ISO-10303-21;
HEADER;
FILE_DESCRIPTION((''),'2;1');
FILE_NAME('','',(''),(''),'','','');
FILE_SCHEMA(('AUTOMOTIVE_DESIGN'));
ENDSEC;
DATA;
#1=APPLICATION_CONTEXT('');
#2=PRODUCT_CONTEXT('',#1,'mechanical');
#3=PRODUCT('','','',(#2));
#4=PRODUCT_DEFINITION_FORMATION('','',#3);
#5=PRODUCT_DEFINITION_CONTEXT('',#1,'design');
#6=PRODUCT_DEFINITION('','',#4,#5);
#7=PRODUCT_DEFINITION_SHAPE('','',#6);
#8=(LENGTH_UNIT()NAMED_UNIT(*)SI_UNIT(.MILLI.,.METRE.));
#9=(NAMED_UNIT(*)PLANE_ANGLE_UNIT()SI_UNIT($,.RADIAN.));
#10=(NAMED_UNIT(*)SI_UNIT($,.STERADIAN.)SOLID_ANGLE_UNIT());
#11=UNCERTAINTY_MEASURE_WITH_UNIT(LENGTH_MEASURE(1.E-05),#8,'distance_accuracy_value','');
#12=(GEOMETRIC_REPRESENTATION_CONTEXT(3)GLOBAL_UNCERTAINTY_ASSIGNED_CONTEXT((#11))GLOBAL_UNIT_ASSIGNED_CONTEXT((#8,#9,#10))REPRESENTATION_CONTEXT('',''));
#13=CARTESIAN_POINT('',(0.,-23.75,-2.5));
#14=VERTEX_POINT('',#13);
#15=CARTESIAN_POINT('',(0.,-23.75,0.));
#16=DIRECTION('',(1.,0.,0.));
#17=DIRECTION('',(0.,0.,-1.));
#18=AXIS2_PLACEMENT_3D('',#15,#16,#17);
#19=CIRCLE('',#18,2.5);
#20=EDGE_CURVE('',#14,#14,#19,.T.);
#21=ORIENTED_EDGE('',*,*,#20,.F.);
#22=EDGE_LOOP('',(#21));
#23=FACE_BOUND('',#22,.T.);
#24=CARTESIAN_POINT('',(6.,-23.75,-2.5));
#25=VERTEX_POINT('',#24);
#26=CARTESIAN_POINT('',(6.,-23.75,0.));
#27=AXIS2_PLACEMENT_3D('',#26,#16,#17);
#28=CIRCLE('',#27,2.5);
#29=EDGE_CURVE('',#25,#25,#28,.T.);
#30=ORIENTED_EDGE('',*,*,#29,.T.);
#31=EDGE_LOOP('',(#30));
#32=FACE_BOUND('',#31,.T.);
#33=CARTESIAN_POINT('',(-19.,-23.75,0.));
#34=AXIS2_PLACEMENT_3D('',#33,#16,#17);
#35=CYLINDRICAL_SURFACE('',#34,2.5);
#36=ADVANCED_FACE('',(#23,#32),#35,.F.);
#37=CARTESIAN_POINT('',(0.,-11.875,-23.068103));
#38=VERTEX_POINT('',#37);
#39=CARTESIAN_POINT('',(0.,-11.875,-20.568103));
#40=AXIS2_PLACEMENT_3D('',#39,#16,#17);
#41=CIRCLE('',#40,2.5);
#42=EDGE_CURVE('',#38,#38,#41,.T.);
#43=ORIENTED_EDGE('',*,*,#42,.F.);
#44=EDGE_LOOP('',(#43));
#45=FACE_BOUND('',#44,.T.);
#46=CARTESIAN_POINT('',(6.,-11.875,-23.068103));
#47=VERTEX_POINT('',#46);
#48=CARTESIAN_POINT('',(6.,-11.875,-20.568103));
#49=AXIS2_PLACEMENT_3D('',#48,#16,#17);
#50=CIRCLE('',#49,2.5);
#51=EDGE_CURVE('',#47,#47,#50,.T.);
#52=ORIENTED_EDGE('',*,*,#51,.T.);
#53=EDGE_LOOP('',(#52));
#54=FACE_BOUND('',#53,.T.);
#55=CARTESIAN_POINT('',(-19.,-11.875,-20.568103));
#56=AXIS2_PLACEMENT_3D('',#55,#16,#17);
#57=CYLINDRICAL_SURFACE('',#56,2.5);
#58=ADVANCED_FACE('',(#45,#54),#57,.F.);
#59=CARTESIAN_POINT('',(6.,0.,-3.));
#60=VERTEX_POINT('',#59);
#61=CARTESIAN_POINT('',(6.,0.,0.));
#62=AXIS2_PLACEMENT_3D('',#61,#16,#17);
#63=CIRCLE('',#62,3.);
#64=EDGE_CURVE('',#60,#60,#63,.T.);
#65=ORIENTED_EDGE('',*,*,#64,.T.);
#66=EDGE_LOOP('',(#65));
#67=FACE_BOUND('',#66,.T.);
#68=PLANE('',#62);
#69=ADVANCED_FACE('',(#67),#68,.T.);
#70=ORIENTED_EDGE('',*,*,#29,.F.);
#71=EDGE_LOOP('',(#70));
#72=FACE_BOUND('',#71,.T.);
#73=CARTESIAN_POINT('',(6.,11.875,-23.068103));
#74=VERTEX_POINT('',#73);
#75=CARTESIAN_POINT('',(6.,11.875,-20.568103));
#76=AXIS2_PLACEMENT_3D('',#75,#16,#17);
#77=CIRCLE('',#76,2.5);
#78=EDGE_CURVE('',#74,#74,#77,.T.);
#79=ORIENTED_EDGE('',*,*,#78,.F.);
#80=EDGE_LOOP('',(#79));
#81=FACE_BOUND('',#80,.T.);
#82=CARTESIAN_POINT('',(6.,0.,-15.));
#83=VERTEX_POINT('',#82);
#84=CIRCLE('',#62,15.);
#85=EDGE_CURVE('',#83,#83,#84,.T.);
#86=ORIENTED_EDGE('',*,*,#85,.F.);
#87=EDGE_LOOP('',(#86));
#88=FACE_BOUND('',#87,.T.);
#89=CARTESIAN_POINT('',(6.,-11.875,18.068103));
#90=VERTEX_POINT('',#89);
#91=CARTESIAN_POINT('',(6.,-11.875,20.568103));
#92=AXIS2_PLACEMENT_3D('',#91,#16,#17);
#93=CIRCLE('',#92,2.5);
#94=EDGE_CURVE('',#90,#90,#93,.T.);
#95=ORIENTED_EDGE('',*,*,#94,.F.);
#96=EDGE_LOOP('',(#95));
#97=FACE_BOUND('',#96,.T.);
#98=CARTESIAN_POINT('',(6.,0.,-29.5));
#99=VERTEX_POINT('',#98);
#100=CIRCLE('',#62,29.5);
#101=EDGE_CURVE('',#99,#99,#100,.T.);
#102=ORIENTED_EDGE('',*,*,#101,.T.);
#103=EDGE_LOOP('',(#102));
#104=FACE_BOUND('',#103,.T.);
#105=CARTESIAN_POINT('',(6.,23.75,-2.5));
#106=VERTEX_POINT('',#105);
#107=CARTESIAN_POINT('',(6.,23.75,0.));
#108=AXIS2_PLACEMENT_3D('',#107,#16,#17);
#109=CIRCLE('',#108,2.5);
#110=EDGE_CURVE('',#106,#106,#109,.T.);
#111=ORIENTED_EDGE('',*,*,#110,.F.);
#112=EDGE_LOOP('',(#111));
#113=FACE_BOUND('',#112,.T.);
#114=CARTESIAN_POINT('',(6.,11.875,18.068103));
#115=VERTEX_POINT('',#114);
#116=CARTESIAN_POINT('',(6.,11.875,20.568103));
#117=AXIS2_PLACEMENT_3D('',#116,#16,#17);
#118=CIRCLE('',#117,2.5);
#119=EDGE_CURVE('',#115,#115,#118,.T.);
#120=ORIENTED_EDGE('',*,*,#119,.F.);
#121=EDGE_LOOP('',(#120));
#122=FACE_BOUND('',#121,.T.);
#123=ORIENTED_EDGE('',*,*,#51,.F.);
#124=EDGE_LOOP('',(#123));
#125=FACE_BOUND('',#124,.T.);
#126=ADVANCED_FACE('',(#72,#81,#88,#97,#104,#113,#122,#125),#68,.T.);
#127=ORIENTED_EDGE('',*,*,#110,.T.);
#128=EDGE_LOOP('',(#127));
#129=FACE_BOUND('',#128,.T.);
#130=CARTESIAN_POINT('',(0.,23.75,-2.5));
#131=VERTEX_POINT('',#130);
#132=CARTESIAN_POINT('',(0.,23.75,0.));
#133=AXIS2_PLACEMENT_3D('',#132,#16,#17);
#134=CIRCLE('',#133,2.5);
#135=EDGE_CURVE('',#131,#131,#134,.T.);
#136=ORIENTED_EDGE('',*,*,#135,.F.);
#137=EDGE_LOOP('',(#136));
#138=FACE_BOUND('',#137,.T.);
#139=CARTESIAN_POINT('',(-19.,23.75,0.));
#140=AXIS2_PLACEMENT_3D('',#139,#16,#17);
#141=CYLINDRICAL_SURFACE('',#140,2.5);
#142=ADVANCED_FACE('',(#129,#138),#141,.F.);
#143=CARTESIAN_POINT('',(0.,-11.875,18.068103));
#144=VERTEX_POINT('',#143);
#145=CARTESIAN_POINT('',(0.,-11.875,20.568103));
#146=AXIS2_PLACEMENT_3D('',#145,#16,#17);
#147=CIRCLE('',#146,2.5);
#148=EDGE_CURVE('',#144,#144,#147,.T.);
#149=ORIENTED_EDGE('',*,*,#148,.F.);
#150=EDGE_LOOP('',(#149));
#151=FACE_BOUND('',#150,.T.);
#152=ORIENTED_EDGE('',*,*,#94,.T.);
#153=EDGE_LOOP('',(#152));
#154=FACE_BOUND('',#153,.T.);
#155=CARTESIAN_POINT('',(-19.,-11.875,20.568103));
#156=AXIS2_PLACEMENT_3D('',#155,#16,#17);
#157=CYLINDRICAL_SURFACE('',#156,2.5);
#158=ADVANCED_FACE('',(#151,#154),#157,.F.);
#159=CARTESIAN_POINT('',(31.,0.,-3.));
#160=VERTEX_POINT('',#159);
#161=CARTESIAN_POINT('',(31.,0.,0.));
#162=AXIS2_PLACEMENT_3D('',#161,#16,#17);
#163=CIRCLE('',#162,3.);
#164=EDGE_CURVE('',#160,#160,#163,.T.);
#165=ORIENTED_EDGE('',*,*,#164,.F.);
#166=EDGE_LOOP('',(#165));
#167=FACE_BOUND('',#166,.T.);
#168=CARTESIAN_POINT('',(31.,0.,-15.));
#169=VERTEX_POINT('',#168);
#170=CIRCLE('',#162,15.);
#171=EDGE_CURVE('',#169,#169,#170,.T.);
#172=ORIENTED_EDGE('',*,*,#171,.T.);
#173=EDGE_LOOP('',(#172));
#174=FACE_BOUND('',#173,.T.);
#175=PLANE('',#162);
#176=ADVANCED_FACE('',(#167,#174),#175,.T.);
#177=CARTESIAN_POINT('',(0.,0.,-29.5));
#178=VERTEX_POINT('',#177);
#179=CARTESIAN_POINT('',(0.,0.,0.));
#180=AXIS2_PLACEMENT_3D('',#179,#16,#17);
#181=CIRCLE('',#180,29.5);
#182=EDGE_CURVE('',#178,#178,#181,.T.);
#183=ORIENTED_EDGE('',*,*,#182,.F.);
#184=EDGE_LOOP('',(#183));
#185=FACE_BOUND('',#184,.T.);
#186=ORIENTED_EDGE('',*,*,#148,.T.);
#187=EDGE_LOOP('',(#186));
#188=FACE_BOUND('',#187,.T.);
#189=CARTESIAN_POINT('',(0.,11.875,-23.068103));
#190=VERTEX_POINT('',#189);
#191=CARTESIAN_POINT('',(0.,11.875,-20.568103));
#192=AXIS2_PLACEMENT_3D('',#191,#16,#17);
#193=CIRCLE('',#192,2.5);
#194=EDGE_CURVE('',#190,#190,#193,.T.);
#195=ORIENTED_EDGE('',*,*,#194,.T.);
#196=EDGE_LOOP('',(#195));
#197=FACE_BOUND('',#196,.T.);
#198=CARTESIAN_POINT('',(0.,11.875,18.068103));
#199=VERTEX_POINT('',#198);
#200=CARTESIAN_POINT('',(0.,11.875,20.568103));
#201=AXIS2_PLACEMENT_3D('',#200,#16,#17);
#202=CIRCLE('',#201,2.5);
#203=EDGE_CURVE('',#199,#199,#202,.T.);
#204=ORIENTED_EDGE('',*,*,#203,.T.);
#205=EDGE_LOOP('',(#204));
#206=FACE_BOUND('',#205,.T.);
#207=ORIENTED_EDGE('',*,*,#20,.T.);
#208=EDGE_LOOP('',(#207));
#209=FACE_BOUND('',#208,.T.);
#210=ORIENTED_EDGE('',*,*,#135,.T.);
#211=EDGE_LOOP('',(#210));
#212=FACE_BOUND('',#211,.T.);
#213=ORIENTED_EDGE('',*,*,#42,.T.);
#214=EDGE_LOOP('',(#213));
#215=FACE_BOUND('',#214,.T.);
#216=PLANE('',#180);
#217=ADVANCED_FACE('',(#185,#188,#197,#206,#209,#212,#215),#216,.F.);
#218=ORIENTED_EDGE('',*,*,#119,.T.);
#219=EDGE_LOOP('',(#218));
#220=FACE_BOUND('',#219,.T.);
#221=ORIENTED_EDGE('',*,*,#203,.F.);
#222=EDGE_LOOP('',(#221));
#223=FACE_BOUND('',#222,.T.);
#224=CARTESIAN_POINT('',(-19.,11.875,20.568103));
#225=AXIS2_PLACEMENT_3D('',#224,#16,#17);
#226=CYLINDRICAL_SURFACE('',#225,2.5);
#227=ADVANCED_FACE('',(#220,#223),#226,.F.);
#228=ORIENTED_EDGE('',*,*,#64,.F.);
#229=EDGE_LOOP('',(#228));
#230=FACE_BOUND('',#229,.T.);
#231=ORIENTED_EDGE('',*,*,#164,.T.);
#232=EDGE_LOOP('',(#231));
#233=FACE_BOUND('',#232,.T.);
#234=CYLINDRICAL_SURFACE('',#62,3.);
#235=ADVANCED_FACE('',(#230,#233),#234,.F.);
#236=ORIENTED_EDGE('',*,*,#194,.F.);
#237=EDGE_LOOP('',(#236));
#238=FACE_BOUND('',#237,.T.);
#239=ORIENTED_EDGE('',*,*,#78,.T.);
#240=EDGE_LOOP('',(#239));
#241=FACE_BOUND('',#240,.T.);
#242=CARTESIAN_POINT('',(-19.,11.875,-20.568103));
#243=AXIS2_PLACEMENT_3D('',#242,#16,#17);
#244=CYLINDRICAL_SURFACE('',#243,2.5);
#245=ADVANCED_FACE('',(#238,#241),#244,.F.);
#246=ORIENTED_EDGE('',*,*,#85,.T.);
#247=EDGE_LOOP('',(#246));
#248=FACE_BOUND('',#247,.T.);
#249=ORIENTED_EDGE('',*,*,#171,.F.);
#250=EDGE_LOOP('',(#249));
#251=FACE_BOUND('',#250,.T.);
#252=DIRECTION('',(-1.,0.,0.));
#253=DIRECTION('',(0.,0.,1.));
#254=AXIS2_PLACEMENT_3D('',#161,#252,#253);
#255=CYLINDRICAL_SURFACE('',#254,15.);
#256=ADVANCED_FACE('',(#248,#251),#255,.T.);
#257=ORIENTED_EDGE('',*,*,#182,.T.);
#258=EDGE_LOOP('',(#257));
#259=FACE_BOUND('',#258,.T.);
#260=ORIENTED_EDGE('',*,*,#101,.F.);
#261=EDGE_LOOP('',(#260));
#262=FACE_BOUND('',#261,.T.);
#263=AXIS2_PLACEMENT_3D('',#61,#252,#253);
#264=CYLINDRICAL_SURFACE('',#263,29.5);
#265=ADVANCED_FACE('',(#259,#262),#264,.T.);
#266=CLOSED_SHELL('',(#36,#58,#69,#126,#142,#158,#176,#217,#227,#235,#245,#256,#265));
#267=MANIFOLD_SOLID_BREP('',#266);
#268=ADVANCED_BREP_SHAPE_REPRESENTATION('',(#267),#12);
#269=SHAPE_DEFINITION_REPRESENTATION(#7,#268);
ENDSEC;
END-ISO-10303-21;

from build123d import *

# Parameters (mm, degrees)
SKETCH1_R           = 29.5
BOSS_EXTRUDE1_DEPTH = 6
SKETCH2_R           = 15
BOSS_EXTRUDE2_DEPTH = 25
SKETCH3_R           = 3
CUT_EXTRUDE1_DEPTH  = 25
SKETCH4_R           = 2.5
CUT_EXTRUDE2_DEPTH  = 25


with BuildPart() as part:
    # Sketch1 → Boss-Extrude1 (new body)
    with BuildSketch(Plane(origin=(0, 0, 0), x_dir=(0, 0, -1), z_dir=(1, 0, 0))):
        Circle(SKETCH1_R)
    extrude(amount=BOSS_EXTRUDE1_DEPTH)

    # Sketch2 → Boss-Extrude2 (add)
    with BuildSketch(Plane(origin=(6, 0, 0), x_dir=(0, 0, -1), z_dir=(1, 0, 0))):
        Circle(SKETCH2_R)
    extrude(amount=BOSS_EXTRUDE2_DEPTH)

    # Sketch3 → Cut-Extrude1 (cut)
    with BuildSketch(Plane(origin=(31, 0, 0), x_dir=(0, 0, -1), z_dir=(1, 0, 0))):
        Circle(SKETCH3_R)
    extrude(amount=-CUT_EXTRUDE1_DEPTH, mode=Mode.SUBTRACT)

    # Sketch4 → Cut-Extrude2 (cut)
    with BuildSketch(Plane(origin=(6, 0, 0), x_dir=(0, 0, -1), z_dir=(1, 0, 0))):
        with Locations((0, 23.75)):
            Circle(SKETCH4_R)
        with Locations((20.56810334, 11.875)):
            Circle(SKETCH4_R)
        with Locations((20.56810334, -11.875)):
            Circle(SKETCH4_R)
        with Locations((0, -23.75)):
            Circle(SKETCH4_R)
        with Locations((-20.56810334, -11.875)):
            Circle(SKETCH4_R)
        with Locations((-20.56810334, 11.875)):
            Circle(SKETCH4_R)
    extrude(amount=-CUT_EXTRUDE2_DEPTH, mode=Mode.SUBTRACT)


solid = part.part
